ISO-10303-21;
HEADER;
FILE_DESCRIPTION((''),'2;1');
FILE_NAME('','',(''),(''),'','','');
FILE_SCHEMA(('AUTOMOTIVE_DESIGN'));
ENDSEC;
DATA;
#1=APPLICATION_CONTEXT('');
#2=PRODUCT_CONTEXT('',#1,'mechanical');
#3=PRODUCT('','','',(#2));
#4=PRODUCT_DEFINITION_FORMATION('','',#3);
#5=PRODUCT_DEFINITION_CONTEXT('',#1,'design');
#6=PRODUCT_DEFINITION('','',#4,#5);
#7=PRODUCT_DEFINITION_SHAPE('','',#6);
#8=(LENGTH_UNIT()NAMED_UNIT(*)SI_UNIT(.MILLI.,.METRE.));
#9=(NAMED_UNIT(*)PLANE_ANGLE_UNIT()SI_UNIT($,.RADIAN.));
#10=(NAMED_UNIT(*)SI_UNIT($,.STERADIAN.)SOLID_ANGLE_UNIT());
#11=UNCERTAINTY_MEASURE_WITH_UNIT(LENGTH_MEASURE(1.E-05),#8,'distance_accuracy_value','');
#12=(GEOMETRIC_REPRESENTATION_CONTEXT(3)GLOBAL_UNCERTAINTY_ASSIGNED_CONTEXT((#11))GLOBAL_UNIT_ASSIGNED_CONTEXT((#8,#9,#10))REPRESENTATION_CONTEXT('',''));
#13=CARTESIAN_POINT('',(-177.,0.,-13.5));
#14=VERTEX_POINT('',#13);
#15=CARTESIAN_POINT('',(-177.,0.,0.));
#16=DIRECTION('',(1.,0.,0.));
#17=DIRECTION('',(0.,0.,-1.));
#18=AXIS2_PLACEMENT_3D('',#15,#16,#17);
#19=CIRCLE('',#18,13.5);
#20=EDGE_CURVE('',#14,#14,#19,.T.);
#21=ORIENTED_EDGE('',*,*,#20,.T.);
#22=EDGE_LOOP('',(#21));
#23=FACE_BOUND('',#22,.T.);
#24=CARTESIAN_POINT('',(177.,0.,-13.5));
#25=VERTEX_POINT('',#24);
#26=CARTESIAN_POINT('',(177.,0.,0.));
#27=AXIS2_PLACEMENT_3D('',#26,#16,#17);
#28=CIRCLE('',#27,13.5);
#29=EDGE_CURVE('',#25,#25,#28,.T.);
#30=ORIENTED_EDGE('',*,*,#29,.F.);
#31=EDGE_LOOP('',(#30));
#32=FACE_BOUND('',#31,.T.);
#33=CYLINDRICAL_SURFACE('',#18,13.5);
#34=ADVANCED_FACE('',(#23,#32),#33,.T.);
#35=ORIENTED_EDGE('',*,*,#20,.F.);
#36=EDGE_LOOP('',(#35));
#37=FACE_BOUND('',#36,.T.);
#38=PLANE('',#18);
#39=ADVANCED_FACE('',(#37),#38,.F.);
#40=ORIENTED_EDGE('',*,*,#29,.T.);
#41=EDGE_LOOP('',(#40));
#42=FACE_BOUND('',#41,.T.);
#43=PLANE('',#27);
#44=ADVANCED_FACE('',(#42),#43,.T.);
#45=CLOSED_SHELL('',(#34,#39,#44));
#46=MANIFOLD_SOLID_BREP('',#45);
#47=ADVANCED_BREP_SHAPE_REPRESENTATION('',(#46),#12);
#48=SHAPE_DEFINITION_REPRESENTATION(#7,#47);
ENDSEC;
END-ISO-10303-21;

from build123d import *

# Parameters (mm, degrees)
EXTRUDE1_START = -177
SKETCH1_R      = 13.5
EXTRUDE1_DEPTH = 354


with BuildPart() as part:
    # Sketch1 → Extrude1 (new body)
    with BuildSketch(Plane(origin=(0, 0, 0), x_dir=(0, 0, -1), z_dir=(1, 0, 0)).offset(EXTRUDE1_START)):
        Circle(SKETCH1_R)
    extrude(amount=EXTRUDE1_DEPTH)


solid = part.part
